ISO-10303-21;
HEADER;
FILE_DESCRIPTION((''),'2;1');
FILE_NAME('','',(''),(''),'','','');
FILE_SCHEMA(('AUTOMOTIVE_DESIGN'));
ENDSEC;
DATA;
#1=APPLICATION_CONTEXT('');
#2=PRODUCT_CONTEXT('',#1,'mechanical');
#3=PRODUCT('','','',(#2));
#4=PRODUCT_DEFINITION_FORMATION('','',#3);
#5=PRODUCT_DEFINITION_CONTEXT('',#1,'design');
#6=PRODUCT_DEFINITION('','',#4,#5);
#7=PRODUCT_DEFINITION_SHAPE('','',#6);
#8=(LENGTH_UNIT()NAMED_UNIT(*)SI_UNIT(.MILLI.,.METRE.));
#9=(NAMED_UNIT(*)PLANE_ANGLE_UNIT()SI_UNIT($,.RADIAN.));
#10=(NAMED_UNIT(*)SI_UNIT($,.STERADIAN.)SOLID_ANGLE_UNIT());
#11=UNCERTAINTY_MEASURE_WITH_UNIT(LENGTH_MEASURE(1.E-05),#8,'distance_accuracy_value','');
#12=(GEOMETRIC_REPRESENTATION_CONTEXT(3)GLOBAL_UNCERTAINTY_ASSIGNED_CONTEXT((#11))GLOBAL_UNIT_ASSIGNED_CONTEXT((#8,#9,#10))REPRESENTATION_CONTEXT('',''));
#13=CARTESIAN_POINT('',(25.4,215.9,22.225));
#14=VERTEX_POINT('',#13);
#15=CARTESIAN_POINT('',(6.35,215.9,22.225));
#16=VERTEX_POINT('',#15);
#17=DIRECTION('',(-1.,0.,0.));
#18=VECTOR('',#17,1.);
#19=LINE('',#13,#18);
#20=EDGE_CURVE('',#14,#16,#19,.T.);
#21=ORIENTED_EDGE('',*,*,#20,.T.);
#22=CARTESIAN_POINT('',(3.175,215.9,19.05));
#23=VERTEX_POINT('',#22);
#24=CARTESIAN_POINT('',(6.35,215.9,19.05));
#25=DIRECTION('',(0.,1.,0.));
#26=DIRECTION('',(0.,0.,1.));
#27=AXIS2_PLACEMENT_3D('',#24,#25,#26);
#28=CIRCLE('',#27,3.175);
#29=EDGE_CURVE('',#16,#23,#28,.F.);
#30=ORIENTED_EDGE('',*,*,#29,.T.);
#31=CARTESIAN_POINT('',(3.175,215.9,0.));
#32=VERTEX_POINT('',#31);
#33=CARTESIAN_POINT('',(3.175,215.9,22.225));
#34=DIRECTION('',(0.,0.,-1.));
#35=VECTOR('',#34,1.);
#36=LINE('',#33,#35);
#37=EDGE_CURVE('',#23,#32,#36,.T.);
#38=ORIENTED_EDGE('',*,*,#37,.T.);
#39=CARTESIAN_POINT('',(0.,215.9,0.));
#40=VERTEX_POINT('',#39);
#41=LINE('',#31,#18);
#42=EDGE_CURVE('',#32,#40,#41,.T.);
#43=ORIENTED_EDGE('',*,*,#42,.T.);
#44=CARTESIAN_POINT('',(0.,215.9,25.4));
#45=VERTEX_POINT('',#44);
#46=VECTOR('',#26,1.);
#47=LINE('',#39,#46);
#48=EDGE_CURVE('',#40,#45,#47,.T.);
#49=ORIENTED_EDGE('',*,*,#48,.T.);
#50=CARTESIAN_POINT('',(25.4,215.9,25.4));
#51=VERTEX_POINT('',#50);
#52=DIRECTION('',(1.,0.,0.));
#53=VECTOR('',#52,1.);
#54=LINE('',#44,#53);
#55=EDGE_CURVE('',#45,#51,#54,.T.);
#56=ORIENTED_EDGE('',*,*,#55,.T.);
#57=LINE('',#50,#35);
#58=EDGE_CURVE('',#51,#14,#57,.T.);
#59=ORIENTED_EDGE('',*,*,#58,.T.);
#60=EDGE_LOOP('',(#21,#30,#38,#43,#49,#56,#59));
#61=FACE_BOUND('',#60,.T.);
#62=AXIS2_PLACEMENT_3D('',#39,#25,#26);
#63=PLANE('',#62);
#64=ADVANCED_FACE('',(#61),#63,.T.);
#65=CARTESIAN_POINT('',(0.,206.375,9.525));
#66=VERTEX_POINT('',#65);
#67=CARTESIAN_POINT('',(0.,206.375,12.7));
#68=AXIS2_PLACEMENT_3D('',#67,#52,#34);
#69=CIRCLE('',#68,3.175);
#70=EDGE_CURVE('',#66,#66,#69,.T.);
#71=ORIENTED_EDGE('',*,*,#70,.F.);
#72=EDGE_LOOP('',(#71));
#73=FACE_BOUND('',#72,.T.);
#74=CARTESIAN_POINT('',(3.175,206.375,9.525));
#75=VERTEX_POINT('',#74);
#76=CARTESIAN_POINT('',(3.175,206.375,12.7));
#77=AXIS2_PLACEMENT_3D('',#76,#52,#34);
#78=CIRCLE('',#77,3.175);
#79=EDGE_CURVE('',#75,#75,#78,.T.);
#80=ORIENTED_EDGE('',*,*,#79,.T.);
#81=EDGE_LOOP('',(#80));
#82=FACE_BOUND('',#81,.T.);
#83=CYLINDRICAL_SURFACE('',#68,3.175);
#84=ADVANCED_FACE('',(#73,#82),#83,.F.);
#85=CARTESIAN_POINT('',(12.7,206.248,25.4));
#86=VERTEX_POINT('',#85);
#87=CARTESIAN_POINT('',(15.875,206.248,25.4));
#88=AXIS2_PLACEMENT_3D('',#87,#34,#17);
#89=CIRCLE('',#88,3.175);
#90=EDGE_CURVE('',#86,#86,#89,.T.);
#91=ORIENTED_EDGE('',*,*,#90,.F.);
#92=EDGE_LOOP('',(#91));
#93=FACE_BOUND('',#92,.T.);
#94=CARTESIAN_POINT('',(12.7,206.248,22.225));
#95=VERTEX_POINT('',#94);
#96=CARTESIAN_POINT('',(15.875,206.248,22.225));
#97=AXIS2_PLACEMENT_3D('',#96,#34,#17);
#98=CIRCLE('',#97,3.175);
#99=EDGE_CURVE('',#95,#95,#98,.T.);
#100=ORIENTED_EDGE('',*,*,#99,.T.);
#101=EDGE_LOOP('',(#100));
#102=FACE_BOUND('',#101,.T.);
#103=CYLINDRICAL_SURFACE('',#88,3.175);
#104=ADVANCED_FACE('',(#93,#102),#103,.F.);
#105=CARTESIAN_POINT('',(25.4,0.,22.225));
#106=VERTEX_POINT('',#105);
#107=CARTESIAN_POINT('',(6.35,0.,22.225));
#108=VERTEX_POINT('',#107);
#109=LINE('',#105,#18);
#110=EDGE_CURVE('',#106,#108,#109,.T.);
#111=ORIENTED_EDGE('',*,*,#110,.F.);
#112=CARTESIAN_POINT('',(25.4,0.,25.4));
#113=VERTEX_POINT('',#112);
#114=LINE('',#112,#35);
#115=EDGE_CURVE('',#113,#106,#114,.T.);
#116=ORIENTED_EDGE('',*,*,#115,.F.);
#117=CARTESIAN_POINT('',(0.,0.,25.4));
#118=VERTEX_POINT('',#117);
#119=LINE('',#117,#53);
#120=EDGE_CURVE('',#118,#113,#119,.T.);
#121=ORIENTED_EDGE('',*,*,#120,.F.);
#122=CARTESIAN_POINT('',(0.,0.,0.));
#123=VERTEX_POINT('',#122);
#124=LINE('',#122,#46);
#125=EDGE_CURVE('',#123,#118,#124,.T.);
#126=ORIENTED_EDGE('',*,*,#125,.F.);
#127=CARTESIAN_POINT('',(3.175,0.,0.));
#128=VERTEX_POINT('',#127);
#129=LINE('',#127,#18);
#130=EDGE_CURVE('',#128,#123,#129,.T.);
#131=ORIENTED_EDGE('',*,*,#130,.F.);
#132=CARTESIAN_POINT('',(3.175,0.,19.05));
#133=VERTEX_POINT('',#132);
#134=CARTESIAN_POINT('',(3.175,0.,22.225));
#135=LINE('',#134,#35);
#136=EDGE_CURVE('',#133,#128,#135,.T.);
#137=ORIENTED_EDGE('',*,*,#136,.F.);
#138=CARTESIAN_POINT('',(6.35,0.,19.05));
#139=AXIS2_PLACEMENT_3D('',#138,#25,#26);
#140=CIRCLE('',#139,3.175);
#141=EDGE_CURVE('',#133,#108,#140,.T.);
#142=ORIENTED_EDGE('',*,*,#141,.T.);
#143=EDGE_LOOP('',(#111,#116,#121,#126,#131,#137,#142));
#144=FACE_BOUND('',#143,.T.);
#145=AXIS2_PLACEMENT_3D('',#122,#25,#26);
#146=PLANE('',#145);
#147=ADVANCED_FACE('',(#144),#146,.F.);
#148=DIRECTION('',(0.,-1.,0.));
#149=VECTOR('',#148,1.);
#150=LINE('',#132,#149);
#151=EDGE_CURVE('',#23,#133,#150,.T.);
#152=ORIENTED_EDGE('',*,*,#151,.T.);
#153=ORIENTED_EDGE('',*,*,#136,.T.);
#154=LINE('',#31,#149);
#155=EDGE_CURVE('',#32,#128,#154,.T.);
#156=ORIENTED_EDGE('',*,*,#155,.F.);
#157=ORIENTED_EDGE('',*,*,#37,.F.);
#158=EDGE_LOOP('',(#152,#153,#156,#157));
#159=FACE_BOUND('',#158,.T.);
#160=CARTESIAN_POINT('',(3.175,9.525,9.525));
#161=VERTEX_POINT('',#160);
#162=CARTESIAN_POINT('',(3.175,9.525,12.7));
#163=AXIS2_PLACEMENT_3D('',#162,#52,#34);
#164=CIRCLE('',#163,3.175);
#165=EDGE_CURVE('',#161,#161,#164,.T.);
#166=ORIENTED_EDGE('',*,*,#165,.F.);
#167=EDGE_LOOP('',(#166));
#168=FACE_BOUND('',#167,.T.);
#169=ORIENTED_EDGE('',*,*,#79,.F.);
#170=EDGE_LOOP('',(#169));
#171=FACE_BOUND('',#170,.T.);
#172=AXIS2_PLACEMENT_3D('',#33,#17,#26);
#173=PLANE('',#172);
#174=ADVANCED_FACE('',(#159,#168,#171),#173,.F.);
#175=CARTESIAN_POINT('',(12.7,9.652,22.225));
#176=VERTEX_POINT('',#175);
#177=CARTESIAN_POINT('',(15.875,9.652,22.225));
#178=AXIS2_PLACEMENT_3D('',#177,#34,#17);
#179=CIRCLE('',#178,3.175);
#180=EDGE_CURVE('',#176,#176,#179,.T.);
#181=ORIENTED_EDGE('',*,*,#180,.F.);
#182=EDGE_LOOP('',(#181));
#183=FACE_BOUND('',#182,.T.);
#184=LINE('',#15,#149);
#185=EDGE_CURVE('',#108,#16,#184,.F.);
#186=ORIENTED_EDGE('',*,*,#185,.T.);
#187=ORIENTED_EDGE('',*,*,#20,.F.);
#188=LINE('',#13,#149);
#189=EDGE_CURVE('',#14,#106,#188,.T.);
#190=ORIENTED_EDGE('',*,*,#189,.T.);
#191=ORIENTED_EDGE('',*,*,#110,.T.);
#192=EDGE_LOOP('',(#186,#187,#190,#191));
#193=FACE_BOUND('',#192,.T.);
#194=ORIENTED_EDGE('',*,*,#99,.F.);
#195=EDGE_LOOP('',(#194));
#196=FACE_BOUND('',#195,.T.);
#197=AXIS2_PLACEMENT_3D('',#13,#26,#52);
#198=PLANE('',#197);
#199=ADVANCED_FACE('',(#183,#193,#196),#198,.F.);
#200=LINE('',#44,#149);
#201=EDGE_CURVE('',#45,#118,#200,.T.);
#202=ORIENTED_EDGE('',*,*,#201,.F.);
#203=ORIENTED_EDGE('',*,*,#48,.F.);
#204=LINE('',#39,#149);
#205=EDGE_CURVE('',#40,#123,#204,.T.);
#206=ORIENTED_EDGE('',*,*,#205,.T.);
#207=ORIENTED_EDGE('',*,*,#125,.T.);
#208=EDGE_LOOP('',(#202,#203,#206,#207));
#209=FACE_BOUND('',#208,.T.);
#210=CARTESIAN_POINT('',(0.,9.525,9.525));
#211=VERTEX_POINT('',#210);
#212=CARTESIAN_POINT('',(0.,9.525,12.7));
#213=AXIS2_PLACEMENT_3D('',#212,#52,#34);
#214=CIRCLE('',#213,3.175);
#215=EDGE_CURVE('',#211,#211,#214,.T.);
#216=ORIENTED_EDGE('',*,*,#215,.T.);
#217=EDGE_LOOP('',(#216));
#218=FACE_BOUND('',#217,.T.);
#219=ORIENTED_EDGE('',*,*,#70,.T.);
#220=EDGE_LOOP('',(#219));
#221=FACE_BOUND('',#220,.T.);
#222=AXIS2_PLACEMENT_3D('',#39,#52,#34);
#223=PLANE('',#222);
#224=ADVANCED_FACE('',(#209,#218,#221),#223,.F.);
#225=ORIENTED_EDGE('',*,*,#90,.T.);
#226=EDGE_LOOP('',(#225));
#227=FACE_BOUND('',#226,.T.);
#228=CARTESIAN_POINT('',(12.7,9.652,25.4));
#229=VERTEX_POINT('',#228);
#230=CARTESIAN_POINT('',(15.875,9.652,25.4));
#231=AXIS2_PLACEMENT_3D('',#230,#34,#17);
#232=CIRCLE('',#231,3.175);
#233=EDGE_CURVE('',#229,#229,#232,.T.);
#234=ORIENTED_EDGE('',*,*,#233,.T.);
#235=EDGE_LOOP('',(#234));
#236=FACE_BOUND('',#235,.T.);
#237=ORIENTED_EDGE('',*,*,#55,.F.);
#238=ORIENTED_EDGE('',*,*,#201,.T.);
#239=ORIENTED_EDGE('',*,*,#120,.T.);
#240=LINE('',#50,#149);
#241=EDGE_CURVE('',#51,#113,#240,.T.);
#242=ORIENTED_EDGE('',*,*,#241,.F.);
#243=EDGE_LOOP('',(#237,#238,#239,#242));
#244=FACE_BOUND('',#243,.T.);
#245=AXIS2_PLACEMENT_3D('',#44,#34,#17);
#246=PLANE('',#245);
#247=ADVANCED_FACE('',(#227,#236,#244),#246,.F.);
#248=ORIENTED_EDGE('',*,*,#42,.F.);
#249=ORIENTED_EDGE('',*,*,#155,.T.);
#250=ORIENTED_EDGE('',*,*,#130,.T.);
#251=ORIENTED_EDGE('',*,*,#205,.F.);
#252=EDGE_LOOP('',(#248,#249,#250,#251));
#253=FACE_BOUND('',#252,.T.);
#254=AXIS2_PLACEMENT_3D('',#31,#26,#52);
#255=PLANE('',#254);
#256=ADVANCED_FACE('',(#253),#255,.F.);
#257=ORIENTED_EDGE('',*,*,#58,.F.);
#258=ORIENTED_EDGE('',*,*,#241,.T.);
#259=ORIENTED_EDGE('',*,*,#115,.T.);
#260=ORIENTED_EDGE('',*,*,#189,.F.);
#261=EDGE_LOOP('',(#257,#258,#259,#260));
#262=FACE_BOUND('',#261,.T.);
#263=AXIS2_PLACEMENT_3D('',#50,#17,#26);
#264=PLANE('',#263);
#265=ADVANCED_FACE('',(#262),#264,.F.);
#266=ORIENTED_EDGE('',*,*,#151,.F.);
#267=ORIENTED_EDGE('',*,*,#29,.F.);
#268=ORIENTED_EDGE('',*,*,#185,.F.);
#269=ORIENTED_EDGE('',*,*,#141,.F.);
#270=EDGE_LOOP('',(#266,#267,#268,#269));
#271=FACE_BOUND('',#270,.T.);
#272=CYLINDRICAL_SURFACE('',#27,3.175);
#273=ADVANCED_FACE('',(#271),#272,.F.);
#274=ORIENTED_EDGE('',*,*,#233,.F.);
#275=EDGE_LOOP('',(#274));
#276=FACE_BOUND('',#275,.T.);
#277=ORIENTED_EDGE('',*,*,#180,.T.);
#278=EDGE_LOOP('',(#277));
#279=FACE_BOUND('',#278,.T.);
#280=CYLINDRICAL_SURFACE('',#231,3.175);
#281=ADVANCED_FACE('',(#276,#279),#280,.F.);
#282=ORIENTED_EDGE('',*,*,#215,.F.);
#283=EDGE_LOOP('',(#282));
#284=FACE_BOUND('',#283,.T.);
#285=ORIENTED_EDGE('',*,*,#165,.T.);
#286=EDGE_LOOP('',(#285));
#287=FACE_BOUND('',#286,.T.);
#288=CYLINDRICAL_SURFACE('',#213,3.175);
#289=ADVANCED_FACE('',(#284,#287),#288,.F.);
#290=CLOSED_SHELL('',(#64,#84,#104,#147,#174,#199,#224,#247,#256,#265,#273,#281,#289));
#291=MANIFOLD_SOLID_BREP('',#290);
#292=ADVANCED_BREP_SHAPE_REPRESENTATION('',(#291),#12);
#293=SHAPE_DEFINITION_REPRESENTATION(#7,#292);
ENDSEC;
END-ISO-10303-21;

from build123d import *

# Parameters (mm, degrees)
BOSS_EXTRUDE1_DEPTH = 215.9
FILLET1_R           = 3.175
SKETCH2_R           = 3.175
CUT_EXTRUDE1_DEPTH  = 219.522128456
SKETCH3_R           = 3.175
CUT_EXTRUDE2_DEPTH  = 219.522128456
SKETCH4_R           = 3.175
CUT_EXTRUDE3_DEPTH  = 219.522128456
SKETCH5_R           = 3.175
CUT_EXTRUDE4_DEPTH  = 219.522128456


with BuildPart() as part:
    # Sketch1 → Boss-Extrude1 (new body)
    with BuildSketch(Plane(origin=(0, 0, 0), x_dir=(1, 0, 0), z_dir=(0, 1, 0))):
        Polygon((0, 0), (0, -25.4), (25.4, -25.4), (25.4, -22.225), (3.175, -22.225), (3.175, 0), align=None)
    extrude(amount=BOSS_EXTRUDE1_DEPTH)

    # Fillet1
    fillet1_edges = [part.edges().sort_by_distance(p)[0] for p in [
        (3.175, 107.95, 22.225),
    ]]
    fillet(fillet1_edges, radius=FILLET1_R)

    # Sketch2 → Cut-Extrude1 (cut, through all)
    with BuildSketch(Plane(origin=(0, 0, 22.225), x_dir=(-1, 0, 0), z_dir=(0, 0, -1))):
        with Locations((-15.875, 206.248)):
            Circle(SKETCH2_R)
    extrude(amount=-CUT_EXTRUDE1_DEPTH, mode=Mode.SUBTRACT)

    # Sketch3 → Cut-Extrude2 (cut, through all)
    with BuildSketch(Plane(origin=(0, 0, 22.225), x_dir=(-1, 0, 0), z_dir=(0, 0, -1))):
        with Locations((-15.875, 9.652)):
            Circle(SKETCH3_R)
    extrude(amount=-CUT_EXTRUDE2_DEPTH, mode=Mode.SUBTRACT)

    # Sketch4 → Cut-Extrude3 (cut, through all)
    with BuildSketch(Plane(origin=(3.175, 0, 0), x_dir=(0, 0, -1), z_dir=(1, 0, 0))):
        with Locations((-12.7, 206.375)):
            Circle(SKETCH4_R)
    extrude(amount=-CUT_EXTRUDE3_DEPTH, mode=Mode.SUBTRACT)

    # Sketch5 → Cut-Extrude4 (cut, through all)
    with BuildSketch(Plane(origin=(3.175, 0, 0), x_dir=(0, 0, -1), z_dir=(1, 0, 0))):
        with Locations((-12.7, 9.525)):
            Circle(SKETCH5_R)
    extrude(amount=-CUT_EXTRUDE4_DEPTH, mode=Mode.SUBTRACT)


solid = part.part
